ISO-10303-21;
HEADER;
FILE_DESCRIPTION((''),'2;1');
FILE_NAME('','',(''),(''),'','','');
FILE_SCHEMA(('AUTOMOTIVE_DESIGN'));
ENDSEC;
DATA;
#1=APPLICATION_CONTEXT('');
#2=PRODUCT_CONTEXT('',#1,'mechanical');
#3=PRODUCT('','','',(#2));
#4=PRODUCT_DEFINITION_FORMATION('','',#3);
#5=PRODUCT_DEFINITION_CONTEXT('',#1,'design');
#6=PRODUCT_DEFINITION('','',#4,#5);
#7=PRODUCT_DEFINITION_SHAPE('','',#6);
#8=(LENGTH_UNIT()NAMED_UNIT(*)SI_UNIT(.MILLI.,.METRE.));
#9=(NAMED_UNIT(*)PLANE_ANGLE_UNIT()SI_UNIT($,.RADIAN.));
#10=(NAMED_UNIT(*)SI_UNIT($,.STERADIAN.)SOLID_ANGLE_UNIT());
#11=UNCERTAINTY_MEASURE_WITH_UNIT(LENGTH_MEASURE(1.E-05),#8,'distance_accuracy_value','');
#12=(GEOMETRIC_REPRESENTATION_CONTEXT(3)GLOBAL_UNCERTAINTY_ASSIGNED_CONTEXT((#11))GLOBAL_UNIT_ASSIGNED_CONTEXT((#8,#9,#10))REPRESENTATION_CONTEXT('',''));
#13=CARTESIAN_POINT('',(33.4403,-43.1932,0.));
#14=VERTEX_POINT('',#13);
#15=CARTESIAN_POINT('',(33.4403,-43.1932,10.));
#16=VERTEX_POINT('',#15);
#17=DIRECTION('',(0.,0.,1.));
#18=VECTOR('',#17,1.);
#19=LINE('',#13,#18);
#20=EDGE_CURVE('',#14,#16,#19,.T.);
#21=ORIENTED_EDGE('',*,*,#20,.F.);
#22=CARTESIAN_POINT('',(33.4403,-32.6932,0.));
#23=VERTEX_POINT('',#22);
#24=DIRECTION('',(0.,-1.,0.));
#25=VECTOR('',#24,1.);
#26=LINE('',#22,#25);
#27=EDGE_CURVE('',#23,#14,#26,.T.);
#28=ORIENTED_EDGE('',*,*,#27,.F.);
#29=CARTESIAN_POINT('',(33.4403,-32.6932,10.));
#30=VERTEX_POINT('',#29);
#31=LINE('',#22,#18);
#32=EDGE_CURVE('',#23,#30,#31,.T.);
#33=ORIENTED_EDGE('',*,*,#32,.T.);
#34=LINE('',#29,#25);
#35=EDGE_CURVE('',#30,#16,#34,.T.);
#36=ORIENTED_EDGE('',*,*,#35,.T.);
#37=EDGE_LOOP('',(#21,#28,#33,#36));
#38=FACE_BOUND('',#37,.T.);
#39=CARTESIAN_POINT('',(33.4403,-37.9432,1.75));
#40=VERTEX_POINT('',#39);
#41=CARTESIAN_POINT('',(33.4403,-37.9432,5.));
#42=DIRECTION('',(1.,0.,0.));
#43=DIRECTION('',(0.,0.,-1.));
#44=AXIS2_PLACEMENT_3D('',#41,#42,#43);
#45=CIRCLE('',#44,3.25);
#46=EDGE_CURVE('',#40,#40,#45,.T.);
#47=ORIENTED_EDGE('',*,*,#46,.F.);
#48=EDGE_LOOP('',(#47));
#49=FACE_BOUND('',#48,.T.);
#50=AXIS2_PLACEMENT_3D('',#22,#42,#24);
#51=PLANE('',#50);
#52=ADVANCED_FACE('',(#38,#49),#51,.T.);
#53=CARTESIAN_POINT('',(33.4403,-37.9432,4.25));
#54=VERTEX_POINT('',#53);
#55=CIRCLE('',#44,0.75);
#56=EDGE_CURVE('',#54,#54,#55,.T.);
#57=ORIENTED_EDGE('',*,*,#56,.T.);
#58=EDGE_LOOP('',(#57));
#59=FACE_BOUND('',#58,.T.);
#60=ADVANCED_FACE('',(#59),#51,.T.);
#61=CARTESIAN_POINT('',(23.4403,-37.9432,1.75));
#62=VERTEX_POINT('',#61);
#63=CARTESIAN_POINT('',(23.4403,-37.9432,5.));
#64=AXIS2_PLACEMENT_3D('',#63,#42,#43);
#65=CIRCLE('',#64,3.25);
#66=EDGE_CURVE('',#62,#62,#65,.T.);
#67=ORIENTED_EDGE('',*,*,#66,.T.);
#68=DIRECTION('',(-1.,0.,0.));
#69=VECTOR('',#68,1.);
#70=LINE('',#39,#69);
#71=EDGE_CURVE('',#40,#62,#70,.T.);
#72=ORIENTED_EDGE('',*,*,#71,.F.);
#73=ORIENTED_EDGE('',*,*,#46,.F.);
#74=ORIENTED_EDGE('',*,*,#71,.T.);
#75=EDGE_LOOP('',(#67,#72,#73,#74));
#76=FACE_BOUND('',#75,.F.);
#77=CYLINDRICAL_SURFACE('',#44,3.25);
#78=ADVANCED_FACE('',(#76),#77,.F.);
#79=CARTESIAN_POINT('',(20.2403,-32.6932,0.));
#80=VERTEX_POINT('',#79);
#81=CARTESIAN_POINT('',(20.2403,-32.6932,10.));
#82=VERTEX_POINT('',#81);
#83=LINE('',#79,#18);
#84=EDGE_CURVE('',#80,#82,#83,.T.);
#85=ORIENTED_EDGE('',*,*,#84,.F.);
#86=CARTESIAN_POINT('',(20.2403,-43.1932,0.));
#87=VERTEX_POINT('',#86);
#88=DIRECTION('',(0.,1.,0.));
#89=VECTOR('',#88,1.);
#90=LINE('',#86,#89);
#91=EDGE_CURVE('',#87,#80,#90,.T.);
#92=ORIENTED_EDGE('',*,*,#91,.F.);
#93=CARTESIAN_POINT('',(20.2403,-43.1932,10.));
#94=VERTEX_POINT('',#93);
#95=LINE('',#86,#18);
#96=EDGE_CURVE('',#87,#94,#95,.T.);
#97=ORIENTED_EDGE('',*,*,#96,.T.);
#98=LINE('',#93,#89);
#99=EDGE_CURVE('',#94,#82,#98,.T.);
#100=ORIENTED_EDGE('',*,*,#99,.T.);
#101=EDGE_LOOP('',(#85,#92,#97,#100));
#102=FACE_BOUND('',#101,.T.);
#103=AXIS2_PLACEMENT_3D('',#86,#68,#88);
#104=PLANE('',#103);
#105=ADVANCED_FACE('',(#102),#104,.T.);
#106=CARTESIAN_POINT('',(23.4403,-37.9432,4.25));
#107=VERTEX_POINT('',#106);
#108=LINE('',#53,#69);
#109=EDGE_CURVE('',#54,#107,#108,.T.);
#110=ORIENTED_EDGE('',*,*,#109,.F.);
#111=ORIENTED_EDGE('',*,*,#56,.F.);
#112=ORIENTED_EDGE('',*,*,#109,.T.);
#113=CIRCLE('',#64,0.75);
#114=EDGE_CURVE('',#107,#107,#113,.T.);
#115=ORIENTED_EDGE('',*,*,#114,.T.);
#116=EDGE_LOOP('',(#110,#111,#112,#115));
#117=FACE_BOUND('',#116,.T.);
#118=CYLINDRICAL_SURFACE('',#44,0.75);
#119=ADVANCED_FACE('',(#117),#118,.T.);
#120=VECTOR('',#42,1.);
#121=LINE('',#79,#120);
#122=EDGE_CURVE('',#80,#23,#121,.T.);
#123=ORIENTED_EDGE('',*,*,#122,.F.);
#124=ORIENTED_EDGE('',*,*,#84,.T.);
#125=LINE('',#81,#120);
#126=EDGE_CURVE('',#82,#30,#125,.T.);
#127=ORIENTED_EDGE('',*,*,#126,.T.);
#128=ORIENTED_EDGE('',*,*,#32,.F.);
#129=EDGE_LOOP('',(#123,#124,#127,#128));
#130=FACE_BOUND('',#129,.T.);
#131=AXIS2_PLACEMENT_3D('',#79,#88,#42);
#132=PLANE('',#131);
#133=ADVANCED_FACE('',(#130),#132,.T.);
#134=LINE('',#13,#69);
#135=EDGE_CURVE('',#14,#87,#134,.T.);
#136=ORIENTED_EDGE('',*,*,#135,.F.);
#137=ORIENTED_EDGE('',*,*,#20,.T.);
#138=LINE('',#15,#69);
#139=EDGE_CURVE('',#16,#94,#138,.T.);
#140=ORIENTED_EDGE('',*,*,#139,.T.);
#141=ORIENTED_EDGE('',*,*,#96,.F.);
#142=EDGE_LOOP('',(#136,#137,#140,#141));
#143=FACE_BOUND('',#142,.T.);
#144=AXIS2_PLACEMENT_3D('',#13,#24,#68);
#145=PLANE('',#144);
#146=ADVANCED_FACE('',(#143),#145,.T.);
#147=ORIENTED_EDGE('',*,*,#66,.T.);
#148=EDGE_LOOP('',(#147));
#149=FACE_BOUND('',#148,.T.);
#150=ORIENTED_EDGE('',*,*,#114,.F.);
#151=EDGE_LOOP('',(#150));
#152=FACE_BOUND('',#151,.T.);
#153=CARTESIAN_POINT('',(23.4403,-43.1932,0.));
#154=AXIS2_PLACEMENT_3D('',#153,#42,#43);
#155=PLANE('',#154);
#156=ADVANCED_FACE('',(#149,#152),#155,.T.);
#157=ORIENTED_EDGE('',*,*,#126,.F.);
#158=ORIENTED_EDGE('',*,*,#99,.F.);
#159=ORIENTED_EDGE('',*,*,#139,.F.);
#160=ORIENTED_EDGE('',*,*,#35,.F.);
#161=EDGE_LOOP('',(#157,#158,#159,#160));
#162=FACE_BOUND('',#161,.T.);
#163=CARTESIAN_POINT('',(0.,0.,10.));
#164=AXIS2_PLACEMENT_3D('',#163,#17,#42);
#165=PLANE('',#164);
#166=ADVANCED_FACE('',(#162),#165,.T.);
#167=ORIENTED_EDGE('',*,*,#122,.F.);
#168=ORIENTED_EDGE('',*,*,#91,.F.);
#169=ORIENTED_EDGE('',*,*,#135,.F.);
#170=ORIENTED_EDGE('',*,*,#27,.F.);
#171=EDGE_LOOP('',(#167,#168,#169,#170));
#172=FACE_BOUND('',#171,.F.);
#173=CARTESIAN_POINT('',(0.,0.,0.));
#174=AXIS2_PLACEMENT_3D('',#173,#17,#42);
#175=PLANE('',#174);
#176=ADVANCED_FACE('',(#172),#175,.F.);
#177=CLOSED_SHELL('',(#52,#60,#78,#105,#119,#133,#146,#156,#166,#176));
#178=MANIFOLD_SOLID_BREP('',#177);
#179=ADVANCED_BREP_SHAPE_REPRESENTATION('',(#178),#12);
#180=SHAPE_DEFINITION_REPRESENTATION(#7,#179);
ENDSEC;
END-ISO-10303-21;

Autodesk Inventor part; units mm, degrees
ref_plane "YZ Plane" through (0, 0, 0) normal (1, 0, 0) x (0, 1, 0)
ref_plane "XZ Plane" through (0, 0, 0) normal (0, 1, 0) x (-1, 0, 0)
ref_plane "XY Plane" through (0, 0, 0) normal (0, 0, 1) x (1, 0, 0)
ref_plane "Work Plane1" through (0, 0, 0) normal (0, 0, 1) x (1, 0, 0)
sketch "Sketch1" plane through (0, 0, 0) normal (0, 0, 1) x (1, 0, 0)
  line L0 (20.2403, -32.6932) -> (33.4403, -32.6932)
  line L1 (33.4403, -32.6932) -> (33.4403, -43.1932)
  line L2 (33.4403, -43.1932) -> (20.2403, -43.1932)
  line L3 (20.2403, -43.1932) -> (20.2403, -32.6932)
  point P0 (0, 0)
  dimension "d0" = 13.2
  dimension "d2" = 10.5
extrude "Extrusion1" add sketch "Sketch1" along normal blind 10
sketch "Sketch2" plane through (33.4403, -43.1932, 0) normal (1, 0, 0) x (0, 0, -1)
  circle A0 centre (-5, 5.25) radius 3.25
  circle A1 centre (-5, 5.25) radius 0.75
  point P0 (0, 43.1932)
  dimension "d5" = 6.5
  dimension "d7" = 1.5
extrude "Extrusion2" cut sketch "Sketch2" against normal blind 10
properties part number "nanopc_t4_pwr"
